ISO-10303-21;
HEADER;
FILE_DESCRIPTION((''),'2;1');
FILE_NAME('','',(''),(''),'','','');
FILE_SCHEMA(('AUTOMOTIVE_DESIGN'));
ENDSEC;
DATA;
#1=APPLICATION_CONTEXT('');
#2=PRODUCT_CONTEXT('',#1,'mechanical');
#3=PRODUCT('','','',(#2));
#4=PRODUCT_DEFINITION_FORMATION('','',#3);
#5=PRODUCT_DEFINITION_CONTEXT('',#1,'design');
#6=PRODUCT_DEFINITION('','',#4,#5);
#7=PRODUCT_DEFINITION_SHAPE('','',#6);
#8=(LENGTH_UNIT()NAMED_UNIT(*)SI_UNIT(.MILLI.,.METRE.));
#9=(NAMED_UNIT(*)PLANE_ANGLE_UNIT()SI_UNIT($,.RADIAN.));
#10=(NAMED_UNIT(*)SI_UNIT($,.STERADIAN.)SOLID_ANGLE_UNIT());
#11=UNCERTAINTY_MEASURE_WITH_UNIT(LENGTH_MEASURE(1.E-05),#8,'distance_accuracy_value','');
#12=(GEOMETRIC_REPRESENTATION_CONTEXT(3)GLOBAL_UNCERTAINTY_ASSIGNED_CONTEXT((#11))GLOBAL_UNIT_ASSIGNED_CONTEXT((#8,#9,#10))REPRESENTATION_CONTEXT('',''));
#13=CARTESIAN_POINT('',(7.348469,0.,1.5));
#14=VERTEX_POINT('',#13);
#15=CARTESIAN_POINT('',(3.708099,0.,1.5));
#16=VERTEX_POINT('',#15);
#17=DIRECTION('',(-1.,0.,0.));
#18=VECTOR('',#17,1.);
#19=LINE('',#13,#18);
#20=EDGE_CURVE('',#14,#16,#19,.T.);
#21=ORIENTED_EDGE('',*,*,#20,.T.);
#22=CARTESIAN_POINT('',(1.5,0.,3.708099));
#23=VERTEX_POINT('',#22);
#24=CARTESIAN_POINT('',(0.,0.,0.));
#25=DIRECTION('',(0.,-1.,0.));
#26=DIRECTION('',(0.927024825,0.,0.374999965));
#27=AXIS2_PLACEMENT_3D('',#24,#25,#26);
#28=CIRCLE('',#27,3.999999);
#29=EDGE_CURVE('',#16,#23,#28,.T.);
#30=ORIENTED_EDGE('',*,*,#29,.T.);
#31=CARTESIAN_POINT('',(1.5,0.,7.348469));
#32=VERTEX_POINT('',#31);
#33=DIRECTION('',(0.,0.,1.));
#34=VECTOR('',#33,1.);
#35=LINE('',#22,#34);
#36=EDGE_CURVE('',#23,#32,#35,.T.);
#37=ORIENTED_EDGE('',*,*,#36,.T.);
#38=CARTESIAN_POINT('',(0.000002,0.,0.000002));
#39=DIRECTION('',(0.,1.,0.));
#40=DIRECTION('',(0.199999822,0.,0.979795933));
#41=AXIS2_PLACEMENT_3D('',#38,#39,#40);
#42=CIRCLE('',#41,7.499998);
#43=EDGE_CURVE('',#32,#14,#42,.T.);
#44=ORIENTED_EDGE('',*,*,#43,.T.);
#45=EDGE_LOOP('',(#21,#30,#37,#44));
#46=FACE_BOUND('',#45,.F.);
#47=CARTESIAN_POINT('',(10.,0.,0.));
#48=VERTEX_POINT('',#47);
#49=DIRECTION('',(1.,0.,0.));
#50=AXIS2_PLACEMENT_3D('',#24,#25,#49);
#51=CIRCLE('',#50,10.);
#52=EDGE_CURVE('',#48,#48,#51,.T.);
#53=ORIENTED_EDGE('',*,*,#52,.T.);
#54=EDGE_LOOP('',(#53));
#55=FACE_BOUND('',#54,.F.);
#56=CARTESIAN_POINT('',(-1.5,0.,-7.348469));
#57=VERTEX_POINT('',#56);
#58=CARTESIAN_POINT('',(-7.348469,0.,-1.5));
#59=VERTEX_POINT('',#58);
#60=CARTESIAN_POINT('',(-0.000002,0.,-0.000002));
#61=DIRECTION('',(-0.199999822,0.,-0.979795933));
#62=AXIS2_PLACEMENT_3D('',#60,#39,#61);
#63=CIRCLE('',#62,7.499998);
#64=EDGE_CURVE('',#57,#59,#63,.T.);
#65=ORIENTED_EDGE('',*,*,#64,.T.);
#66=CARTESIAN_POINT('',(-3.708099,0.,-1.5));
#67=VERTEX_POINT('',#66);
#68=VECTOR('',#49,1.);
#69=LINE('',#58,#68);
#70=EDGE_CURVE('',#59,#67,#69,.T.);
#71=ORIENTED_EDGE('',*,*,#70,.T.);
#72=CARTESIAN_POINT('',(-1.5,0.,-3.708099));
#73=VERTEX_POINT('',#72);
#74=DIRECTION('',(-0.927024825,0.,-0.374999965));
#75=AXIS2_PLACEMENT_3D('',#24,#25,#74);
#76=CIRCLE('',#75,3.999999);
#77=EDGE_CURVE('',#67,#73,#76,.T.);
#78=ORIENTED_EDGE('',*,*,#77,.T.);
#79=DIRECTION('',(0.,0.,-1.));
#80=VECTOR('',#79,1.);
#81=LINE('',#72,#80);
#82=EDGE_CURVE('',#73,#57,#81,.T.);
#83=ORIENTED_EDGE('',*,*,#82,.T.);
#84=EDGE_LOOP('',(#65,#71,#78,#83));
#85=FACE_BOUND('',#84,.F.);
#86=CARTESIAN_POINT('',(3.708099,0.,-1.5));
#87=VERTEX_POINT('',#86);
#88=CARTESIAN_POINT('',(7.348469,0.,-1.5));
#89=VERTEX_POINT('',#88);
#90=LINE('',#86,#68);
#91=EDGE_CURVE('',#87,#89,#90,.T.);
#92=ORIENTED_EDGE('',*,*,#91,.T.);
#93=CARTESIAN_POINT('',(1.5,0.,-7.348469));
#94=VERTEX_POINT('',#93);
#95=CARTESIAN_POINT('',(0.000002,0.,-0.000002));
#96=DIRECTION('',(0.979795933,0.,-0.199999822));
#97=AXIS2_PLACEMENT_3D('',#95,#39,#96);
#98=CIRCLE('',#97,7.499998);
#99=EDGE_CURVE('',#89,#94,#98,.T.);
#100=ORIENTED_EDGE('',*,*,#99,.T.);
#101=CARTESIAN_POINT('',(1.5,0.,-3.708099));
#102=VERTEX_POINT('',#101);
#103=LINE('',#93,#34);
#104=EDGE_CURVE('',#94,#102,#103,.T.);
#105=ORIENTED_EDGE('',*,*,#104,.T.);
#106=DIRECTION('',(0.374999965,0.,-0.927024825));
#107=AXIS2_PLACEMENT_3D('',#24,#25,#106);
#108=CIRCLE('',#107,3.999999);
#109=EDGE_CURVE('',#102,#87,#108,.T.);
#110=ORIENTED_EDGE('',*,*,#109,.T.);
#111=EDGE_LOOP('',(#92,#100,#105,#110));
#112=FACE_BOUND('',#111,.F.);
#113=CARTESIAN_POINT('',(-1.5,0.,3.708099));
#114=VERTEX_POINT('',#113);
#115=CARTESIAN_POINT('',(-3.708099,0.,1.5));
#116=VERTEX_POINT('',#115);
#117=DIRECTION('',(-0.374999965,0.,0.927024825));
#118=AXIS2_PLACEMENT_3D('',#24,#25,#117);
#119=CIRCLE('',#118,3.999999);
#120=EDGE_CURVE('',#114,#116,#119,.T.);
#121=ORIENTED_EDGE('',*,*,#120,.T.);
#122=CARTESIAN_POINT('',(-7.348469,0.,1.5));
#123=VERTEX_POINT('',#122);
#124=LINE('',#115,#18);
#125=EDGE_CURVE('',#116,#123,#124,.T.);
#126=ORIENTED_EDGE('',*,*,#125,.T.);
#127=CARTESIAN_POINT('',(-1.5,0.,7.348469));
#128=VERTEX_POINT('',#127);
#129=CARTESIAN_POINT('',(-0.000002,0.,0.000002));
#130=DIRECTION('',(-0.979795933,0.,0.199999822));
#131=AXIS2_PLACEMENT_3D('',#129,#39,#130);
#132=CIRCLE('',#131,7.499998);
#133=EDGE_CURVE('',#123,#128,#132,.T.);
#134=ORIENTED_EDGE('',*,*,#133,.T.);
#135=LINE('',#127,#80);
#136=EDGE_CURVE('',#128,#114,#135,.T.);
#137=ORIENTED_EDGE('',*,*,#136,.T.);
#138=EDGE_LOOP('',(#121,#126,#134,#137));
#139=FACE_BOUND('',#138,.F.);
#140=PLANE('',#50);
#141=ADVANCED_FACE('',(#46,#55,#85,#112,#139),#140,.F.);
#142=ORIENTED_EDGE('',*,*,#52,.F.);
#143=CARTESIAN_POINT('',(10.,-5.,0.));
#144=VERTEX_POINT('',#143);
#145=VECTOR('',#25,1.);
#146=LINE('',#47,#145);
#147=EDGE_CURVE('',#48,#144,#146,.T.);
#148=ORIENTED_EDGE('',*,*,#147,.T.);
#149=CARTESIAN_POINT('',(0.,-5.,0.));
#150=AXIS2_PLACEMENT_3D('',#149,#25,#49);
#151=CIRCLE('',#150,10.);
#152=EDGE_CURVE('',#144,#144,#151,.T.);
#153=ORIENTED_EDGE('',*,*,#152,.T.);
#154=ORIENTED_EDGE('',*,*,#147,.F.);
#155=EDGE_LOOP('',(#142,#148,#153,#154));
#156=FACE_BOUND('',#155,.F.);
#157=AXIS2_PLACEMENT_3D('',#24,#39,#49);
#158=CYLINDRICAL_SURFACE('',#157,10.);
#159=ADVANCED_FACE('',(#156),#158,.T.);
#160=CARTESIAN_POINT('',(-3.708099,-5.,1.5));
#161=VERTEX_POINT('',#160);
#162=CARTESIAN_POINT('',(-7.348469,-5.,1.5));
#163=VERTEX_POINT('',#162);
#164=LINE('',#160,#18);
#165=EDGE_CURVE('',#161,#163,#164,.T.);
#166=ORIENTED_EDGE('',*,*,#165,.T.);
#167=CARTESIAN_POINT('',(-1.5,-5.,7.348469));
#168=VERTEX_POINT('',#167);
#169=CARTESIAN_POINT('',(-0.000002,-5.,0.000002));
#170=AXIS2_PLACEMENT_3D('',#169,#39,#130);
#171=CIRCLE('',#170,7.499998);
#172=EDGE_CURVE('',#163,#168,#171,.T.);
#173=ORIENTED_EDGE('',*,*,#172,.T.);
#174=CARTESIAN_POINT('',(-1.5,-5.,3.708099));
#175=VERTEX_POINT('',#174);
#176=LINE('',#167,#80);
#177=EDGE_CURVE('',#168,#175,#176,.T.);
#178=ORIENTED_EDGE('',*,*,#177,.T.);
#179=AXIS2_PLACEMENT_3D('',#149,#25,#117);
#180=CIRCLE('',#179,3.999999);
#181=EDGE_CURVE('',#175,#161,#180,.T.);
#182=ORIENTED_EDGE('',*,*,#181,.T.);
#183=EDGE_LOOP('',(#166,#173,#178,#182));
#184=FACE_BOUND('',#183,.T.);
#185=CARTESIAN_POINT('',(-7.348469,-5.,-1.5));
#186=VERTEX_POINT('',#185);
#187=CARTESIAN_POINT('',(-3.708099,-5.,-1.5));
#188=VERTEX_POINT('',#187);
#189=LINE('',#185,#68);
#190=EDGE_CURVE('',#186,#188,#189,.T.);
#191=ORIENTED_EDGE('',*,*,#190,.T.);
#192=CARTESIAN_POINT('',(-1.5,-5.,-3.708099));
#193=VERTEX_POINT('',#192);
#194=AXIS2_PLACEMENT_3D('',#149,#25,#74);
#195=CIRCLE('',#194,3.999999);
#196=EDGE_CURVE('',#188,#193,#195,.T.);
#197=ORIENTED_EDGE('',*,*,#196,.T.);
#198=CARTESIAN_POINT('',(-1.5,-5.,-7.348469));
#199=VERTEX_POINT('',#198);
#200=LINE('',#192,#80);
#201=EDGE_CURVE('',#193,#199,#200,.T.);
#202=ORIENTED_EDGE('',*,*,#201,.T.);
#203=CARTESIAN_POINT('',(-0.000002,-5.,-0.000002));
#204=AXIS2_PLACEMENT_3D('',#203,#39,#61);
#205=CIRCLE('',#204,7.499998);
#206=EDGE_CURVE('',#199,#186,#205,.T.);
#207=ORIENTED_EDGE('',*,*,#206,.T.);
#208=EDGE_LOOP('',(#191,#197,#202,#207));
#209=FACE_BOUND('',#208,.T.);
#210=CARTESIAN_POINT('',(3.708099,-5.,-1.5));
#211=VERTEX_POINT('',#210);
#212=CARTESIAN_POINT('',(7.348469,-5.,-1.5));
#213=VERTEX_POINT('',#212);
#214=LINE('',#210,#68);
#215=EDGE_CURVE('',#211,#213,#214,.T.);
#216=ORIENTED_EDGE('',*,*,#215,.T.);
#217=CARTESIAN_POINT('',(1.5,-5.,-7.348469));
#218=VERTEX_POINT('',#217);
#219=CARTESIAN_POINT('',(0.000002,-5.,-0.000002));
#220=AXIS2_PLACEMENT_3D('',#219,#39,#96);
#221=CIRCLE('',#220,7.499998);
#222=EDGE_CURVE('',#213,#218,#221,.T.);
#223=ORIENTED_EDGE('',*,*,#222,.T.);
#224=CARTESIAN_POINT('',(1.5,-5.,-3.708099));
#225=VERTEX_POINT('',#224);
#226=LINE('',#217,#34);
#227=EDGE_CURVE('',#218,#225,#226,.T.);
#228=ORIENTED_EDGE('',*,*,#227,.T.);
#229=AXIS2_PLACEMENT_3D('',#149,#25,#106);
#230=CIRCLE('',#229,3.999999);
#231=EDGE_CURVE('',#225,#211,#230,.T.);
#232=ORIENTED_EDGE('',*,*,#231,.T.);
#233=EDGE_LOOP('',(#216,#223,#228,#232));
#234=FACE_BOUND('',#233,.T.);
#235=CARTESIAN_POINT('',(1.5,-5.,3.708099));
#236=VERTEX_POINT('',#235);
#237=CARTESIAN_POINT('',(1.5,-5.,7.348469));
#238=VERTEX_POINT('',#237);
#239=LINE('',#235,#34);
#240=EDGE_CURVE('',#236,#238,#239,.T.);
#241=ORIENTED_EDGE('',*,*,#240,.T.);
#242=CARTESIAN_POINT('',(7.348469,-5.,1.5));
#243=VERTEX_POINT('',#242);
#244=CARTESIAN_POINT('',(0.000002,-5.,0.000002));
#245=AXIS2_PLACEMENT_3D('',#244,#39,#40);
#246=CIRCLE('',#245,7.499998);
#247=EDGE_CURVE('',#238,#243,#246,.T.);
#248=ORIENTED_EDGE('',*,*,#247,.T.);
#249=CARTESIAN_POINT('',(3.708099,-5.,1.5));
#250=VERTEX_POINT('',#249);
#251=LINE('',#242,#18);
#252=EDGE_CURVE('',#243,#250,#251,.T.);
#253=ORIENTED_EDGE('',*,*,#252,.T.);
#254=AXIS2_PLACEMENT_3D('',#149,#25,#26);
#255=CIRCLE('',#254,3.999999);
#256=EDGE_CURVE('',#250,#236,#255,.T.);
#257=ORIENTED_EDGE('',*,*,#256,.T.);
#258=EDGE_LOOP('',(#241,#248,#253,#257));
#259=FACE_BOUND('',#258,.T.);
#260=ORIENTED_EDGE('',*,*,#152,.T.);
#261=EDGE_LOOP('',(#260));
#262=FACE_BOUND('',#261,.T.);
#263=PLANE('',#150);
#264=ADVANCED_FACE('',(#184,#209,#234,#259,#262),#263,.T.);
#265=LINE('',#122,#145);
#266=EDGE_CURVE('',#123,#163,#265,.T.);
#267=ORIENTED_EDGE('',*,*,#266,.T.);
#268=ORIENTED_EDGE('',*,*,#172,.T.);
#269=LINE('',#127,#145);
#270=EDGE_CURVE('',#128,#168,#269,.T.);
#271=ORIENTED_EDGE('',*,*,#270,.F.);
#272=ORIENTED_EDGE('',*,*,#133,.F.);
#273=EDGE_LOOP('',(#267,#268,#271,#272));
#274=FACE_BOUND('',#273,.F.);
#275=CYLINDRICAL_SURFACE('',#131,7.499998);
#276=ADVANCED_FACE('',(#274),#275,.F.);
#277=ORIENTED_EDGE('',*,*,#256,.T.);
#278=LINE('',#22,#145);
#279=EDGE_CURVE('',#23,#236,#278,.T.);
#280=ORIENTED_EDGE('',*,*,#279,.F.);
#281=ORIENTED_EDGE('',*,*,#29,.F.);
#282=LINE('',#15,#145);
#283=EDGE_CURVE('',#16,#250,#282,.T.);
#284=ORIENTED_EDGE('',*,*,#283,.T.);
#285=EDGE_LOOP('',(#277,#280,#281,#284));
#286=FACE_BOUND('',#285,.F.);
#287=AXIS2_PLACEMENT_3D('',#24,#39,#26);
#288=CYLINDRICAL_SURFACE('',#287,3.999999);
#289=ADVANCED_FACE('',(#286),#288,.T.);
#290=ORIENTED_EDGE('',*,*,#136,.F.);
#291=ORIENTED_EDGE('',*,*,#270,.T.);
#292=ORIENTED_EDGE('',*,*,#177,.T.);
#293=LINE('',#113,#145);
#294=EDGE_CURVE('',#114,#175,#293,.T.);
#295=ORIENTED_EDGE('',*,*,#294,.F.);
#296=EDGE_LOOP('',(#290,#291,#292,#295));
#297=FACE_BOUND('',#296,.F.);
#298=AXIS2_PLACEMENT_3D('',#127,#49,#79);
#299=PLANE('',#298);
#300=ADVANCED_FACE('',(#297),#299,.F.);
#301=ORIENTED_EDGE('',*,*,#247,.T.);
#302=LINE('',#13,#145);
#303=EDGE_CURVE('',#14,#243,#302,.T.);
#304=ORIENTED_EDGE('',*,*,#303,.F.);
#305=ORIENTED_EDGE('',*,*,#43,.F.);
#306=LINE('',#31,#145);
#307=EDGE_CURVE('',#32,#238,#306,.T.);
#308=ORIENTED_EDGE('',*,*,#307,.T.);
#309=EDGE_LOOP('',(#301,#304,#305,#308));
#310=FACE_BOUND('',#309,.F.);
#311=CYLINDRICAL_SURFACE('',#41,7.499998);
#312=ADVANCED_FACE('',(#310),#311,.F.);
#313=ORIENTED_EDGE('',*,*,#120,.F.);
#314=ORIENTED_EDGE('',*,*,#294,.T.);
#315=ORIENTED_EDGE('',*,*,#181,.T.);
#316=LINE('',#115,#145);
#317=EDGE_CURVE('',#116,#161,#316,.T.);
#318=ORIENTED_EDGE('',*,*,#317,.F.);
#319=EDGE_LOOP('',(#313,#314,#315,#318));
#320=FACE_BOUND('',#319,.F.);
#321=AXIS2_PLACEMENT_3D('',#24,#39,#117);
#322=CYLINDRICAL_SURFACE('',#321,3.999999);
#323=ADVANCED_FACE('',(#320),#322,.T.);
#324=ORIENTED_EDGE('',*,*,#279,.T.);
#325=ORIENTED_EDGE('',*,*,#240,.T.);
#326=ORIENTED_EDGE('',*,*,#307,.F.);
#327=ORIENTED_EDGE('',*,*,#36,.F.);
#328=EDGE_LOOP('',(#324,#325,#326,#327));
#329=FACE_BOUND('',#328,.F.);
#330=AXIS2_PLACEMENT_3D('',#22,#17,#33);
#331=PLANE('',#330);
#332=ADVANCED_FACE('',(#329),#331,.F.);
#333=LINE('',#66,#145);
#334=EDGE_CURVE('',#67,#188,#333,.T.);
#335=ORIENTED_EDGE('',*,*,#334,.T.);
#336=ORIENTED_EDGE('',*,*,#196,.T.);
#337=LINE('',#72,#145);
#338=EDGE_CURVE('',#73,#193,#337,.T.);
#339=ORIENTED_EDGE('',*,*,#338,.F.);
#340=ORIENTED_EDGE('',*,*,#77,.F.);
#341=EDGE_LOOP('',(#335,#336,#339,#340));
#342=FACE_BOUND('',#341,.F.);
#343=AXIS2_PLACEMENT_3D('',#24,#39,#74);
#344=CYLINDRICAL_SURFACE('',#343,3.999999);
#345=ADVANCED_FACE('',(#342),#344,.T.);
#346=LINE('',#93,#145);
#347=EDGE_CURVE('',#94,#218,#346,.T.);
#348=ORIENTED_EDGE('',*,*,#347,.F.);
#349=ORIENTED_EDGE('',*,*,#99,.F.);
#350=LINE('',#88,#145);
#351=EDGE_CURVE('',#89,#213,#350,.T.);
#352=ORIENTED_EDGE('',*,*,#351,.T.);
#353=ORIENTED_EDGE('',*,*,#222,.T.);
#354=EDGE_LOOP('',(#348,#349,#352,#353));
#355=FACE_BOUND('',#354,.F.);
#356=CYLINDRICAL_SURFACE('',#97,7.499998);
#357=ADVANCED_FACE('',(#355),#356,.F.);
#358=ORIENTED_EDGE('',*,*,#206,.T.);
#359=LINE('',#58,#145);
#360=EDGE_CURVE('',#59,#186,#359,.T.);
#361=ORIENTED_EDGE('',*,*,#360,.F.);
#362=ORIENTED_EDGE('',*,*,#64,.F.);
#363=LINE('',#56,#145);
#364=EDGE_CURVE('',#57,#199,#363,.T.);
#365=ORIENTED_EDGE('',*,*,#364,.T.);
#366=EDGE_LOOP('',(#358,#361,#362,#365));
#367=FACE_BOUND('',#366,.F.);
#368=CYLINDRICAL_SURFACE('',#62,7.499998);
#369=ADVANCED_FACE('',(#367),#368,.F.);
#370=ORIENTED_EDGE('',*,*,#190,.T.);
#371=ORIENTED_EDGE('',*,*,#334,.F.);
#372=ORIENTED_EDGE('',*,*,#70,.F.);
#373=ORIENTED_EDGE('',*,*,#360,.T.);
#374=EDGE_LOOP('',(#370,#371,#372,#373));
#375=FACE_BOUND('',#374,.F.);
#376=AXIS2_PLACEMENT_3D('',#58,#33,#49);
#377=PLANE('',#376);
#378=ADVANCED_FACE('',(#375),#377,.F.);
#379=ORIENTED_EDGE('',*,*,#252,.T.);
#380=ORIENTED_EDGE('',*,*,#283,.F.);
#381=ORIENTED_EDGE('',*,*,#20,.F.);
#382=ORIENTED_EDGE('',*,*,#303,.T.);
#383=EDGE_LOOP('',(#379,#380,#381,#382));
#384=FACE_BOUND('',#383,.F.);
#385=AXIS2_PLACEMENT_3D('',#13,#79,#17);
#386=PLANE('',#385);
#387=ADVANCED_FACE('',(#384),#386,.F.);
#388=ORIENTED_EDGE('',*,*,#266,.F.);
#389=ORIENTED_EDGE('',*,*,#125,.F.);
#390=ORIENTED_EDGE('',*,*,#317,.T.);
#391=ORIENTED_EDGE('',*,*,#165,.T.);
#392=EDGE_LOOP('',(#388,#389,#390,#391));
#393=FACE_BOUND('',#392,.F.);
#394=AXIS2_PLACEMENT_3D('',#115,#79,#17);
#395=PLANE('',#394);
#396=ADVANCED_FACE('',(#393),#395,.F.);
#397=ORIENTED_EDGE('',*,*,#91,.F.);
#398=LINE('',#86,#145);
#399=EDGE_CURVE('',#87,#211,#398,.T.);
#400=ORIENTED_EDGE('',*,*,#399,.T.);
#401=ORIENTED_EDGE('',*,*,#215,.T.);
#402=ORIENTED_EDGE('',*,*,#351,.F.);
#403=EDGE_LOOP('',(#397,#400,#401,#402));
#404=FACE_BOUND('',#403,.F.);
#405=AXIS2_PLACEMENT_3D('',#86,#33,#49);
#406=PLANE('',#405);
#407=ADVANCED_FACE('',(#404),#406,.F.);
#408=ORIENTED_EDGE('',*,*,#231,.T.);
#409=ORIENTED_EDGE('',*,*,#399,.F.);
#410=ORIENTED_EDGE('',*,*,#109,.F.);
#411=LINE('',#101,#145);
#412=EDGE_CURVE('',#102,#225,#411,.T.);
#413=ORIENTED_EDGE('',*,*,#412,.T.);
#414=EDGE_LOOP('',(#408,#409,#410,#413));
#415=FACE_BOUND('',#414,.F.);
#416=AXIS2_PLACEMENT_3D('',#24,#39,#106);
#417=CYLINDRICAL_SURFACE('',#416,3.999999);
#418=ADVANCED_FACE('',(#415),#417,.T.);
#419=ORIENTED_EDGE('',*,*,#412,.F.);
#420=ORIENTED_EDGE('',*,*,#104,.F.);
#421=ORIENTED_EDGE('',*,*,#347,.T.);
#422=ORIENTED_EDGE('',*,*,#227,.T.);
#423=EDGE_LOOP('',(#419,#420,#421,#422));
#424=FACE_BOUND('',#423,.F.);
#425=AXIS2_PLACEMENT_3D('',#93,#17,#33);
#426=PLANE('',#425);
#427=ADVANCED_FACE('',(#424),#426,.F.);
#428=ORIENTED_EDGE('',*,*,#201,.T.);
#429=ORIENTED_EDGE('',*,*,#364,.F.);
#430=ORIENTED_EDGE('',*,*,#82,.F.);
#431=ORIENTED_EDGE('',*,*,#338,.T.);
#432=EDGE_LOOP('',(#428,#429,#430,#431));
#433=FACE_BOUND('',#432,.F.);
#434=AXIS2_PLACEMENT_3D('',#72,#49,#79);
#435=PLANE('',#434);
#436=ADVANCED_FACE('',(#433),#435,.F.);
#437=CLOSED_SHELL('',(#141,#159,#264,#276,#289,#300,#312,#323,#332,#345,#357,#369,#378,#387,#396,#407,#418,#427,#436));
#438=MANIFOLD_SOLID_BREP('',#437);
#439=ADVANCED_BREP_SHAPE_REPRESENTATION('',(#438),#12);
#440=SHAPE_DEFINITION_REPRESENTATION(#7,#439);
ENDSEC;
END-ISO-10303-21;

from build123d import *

# Parameters (mm, degrees)
F0_R     = 10
F1_DEPTH = 5


with BuildPart() as f1:
    # F0 (on Front) → F1 (new body)
    with BuildSketch(Plane.XZ):
        Circle(F0_R)
        with BuildLine():
            ThreePointArc((-3.708099, -1.5), (-2.828427, -2.828427), (-1.5, -3.708099))
            Line((-1.5, -3.708099), (-1.5, -7.348469))
            ThreePointArc((-1.5, -7.348469), (-5.303301, -5.303301), (-7.348469, -1.5))
            Line((-7.348469, -1.5), (-3.708099, -1.5))
        make_face(mode=Mode.SUBTRACT)
        with BuildLine():
            Line((3.708099, -1.5), (7.348469, -1.5))
            ThreePointArc((7.348469, -1.5), (5.303301, -5.303301), (1.5, -7.348469))
            Line((1.5, -7.348469), (1.5, -3.708099))
            ThreePointArc((1.5, -3.708099), (2.828427, -2.828427), (3.708099, -1.5))
        make_face(mode=Mode.SUBTRACT)
        with BuildLine():
            Line((-1.5, 7.348469), (-1.5, 3.708099))
            ThreePointArc((-1.5, 3.708099), (-2.828427, 2.828427), (-3.708099, 1.5))
            Line((-3.708099, 1.5), (-7.348469, 1.5))
            ThreePointArc((-7.348469, 1.5), (-5.303301, 5.303301), (-1.5, 7.348469))
        make_face(mode=Mode.SUBTRACT)
        with BuildLine():
            Line((1.5, 3.708099), (1.5, 7.348469))
            ThreePointArc((1.5, 7.348469), (5.303301, 5.303301), (7.348469, 1.5))
            Line((7.348469, 1.5), (3.708099, 1.5))
            ThreePointArc((3.708099, 1.5), (2.828427, 2.828427), (1.5, 3.708099))
        make_face(mode=Mode.SUBTRACT)
    extrude(amount=F1_DEPTH)


solid = f1.part
